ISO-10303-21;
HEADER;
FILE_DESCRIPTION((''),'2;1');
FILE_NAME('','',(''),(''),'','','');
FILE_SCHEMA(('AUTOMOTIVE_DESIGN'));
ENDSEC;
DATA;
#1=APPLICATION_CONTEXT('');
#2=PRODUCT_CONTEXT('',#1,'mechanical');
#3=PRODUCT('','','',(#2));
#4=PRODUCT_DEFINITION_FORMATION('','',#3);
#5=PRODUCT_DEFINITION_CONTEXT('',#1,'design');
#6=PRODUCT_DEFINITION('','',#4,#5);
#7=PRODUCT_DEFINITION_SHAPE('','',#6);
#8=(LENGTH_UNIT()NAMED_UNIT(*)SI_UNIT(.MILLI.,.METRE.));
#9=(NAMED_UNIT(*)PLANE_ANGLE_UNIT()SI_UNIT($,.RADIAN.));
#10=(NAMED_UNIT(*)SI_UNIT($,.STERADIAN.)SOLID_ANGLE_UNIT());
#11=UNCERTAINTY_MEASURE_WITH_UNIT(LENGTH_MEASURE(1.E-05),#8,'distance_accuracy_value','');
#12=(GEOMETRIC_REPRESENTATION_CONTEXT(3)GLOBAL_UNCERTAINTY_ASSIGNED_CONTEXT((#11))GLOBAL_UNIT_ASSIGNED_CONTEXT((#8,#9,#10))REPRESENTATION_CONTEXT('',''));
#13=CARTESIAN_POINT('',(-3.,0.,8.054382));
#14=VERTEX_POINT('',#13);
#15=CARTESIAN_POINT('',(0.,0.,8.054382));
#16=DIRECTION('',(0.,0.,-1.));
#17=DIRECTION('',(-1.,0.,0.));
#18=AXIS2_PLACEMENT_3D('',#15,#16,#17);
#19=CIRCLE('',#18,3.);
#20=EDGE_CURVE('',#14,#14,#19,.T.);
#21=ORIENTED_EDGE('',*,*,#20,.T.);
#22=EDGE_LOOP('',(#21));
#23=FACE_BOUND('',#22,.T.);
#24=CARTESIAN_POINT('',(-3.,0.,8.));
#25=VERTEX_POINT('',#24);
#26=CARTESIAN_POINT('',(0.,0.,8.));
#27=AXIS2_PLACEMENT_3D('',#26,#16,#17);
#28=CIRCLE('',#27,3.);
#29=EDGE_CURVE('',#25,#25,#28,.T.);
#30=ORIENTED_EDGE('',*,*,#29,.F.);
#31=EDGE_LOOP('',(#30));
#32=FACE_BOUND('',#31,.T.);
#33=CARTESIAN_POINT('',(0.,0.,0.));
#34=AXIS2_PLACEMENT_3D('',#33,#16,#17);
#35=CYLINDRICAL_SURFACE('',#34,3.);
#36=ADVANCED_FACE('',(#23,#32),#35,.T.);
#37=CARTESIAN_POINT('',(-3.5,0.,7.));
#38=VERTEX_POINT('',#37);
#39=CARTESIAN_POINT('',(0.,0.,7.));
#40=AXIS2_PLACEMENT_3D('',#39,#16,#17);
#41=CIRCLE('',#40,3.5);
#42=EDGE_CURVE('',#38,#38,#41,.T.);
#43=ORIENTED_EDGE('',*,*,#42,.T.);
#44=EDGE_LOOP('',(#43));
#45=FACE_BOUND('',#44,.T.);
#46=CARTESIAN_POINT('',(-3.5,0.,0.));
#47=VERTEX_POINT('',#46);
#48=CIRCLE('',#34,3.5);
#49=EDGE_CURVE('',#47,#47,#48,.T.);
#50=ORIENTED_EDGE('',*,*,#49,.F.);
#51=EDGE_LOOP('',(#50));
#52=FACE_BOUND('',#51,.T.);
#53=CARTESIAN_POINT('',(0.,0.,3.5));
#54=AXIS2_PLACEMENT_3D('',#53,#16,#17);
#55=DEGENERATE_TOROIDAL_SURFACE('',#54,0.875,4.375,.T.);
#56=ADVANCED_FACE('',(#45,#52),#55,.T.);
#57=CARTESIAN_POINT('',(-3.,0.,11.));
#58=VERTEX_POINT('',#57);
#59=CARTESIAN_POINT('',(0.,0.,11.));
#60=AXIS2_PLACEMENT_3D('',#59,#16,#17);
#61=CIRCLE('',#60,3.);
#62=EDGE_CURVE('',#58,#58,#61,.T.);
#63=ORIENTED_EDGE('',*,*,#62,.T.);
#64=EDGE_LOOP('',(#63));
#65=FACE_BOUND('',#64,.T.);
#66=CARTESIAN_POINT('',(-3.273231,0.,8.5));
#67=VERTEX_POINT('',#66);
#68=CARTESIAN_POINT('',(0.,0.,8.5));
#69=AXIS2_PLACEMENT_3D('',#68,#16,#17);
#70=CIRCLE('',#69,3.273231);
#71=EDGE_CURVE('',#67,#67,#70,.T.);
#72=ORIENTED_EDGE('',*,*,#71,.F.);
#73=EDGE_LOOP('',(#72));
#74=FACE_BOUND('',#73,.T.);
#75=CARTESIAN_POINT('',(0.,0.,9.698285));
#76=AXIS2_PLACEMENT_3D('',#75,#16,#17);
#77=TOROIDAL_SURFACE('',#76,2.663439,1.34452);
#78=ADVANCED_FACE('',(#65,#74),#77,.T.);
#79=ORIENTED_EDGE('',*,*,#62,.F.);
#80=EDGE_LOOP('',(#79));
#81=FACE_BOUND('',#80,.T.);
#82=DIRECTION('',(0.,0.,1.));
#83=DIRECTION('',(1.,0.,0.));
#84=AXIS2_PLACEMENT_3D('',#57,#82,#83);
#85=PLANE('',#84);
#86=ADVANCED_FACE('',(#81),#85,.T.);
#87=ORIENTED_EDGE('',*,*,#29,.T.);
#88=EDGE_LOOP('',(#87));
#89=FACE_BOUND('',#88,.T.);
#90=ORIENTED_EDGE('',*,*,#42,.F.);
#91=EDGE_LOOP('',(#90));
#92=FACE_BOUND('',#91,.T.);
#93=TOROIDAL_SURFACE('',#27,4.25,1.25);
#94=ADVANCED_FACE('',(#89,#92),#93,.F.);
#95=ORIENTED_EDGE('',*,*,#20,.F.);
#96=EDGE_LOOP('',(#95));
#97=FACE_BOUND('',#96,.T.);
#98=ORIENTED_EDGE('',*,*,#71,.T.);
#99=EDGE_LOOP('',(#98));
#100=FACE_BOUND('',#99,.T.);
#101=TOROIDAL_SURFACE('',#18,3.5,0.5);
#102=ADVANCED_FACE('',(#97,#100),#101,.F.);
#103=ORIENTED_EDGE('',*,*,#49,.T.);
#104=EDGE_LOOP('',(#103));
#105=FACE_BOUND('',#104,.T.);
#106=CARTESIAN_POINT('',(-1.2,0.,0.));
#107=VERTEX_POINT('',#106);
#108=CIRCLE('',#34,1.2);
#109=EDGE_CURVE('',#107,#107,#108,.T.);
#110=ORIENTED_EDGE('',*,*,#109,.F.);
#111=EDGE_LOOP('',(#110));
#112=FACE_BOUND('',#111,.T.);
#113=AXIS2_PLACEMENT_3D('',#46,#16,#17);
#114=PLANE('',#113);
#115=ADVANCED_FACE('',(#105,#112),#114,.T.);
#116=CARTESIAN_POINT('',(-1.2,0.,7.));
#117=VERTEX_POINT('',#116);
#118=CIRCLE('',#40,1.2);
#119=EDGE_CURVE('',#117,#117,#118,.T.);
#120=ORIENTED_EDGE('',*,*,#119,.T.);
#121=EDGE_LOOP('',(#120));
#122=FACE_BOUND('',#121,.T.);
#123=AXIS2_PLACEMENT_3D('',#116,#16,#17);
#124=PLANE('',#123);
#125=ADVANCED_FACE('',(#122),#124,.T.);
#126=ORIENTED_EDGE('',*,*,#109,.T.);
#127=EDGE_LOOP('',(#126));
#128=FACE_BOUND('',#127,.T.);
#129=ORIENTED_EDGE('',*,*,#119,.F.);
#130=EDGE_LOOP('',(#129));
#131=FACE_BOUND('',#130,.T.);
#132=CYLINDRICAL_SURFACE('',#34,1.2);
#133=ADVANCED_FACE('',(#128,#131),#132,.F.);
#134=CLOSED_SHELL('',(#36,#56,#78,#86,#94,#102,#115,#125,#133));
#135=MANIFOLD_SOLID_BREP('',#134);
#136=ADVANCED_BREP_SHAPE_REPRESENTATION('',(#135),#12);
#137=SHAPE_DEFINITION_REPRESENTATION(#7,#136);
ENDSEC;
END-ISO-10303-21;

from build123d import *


with BuildPart() as part:
    # Эскиз1 → Повернуть2 (revolve)
    with BuildSketch(Plane(origin=(0, 0, 0), x_dir=(1, 0, 0), z_dir=(0, 1, 0))):
        with BuildLine():
            Line((-3, -8), (-3, -8.054381717))
            ThreePointArc((-3, -8.054381717), (-3.073746154, -8.315739055), (-3.273230633, -8.5))
            ThreePointArc((-3.273230633, -8.5), (-4, -9.844361258), (-3, -11))
            Line((-3, -11), (0, -11))
            Line((0, -11), (0, -7))
            Line((0, -7), (-1.2, -7))
            Line((-1.2, -7), (-1.2, 0))
            Line((-1.2, 0), (-3.5, 0))
            ThreePointArc((-3.5, 0), (-5.25, -3.5), (-3.5, -7))
            ThreePointArc((-3.5, -7), (-3.131966011, -7.440983006), (-3, -8))
        make_face()
    revolve(axis=Axis((0, 0, 0), (0, 0, 1)))


solid = part.part
